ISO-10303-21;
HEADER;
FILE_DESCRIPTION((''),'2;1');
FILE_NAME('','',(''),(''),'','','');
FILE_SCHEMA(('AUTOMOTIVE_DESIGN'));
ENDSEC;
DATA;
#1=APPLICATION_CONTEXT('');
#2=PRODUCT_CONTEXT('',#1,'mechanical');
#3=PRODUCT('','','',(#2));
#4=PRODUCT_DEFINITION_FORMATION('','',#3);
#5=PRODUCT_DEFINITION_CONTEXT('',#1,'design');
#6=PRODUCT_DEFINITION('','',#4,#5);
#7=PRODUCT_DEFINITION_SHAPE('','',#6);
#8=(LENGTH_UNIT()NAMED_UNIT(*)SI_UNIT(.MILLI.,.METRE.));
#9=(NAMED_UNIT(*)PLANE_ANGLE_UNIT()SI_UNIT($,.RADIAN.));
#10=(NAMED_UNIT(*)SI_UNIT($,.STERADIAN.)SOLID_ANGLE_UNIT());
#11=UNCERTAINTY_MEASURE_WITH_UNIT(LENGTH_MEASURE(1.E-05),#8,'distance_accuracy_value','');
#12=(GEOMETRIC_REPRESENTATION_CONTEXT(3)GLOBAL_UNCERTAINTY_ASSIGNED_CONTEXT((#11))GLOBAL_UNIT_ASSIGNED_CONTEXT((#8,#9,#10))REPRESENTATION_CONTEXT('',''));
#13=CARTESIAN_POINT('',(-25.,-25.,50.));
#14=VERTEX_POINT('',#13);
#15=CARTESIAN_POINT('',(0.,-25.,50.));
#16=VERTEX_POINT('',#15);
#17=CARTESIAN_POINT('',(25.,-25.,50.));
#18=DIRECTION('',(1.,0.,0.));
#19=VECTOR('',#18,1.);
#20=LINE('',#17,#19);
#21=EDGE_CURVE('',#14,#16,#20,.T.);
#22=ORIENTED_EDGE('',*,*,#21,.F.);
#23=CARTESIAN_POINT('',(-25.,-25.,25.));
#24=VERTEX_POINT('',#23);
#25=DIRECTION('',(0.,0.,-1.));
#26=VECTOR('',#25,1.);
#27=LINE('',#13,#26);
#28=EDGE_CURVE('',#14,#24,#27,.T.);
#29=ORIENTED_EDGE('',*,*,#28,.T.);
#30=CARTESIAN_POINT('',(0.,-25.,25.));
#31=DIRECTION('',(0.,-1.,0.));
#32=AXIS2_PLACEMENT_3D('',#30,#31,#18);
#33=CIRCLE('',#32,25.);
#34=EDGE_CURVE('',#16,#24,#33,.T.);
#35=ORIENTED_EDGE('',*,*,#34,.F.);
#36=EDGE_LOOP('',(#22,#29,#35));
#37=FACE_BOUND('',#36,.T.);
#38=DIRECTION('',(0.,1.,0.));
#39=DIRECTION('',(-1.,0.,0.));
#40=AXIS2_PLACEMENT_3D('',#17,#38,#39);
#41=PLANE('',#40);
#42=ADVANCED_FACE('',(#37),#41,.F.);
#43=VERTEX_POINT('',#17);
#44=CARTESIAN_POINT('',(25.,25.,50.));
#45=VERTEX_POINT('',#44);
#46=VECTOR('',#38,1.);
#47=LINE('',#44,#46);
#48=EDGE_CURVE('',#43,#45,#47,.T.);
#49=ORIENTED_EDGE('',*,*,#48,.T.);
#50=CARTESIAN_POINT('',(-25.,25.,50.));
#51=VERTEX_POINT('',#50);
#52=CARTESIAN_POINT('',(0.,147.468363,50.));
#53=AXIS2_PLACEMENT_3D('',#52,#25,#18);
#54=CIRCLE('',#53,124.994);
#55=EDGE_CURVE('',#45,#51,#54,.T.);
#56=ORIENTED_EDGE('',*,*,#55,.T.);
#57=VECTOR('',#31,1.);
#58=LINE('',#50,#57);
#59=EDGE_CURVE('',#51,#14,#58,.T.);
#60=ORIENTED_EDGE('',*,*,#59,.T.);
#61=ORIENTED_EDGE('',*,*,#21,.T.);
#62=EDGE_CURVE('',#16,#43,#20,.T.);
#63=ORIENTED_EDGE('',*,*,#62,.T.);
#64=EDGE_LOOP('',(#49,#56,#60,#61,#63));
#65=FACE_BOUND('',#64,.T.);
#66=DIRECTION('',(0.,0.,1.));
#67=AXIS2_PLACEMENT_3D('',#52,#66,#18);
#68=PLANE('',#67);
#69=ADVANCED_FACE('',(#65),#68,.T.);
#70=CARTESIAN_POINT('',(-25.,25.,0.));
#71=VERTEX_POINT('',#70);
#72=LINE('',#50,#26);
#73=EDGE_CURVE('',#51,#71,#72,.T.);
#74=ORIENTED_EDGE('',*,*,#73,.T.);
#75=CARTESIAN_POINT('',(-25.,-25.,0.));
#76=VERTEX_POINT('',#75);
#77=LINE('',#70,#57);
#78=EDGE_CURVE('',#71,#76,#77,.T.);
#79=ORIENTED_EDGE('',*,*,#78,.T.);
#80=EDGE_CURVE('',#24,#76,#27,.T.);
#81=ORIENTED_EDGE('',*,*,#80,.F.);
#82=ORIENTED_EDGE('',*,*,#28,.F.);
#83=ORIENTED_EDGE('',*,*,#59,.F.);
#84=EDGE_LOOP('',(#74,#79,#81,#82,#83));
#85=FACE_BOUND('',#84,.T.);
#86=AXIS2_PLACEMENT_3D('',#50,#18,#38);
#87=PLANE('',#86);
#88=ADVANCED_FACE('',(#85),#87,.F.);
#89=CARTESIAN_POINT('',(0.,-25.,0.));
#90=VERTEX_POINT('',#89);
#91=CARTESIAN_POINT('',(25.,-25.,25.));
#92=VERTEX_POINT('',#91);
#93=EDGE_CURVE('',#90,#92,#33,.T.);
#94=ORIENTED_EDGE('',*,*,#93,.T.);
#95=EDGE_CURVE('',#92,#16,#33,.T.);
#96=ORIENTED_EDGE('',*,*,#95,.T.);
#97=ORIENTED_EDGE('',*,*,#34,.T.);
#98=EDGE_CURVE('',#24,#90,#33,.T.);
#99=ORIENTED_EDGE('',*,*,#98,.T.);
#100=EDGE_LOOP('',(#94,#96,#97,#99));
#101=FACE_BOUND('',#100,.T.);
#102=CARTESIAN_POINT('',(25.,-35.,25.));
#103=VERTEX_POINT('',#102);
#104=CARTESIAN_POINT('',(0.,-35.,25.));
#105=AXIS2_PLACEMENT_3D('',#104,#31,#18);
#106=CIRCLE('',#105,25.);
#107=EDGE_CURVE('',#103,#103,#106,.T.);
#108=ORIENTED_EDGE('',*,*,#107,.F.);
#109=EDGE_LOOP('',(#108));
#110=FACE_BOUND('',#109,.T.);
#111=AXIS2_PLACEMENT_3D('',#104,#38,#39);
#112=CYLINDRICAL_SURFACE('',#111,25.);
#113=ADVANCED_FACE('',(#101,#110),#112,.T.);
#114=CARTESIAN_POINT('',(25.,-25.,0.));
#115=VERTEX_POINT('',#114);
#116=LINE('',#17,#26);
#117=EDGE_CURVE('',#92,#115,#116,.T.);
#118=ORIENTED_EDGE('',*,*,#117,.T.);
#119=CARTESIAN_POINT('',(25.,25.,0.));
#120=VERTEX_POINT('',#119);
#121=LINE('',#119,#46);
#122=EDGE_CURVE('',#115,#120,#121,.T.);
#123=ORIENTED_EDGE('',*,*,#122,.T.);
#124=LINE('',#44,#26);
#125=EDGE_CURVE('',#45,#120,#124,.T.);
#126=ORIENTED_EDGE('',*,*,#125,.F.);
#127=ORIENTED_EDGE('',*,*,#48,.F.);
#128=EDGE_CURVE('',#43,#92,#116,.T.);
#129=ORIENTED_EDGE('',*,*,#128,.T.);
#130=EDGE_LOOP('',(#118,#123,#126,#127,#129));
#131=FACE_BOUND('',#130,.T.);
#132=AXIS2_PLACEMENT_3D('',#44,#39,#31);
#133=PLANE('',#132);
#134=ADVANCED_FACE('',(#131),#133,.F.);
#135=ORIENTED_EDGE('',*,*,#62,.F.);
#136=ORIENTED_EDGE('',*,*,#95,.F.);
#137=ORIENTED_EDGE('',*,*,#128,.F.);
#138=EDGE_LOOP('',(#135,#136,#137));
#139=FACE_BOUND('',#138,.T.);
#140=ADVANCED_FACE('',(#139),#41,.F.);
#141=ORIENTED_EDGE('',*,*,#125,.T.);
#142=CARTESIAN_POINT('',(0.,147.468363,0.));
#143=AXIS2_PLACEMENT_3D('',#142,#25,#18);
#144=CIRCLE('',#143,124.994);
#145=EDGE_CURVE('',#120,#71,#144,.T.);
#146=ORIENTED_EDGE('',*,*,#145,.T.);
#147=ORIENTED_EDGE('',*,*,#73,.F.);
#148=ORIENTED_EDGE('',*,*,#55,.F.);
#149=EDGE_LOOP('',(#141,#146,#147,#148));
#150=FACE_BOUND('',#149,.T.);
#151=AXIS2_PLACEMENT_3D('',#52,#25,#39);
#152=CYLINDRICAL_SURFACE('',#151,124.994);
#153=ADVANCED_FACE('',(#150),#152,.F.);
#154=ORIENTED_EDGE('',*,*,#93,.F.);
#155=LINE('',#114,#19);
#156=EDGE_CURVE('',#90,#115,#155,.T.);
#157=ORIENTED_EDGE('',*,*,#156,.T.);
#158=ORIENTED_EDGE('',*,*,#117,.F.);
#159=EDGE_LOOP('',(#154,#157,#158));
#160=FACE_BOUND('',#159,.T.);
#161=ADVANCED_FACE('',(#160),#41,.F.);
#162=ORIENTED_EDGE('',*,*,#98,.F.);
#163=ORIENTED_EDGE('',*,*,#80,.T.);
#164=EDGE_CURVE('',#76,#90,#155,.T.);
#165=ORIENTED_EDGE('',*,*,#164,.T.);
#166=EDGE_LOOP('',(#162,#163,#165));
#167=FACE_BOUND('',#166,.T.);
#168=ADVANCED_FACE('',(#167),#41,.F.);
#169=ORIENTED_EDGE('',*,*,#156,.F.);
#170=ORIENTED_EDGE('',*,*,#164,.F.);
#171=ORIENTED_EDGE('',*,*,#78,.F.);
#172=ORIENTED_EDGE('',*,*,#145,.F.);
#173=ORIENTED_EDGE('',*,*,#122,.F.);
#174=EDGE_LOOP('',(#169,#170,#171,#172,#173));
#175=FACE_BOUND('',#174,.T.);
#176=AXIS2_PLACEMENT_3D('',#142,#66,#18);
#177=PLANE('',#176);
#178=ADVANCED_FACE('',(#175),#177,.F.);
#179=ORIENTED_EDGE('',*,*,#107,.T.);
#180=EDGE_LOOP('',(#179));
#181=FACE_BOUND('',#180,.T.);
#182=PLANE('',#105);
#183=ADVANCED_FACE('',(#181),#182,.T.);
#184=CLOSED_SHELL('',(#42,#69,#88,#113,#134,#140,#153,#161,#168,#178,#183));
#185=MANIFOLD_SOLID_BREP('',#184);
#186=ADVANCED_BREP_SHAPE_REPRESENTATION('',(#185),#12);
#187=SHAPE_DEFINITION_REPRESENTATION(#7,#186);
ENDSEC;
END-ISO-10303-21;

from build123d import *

# Parameters (mm, degrees)
BOSS_EXTRUDE1_DEPTH = 50
SKETCH2_R           = 25
BOSS_EXTRUDE2_DEPTH = 10


with BuildPart() as part:
    # Sketch1 → Boss-Extrude1 (new body)
    with BuildSketch(Plane.XY):
        with BuildLine():
            Line((25, 25), (25, -25))
            Line((25, -25), (-25, -25))
            Line((-25, -25), (-25, 25))
            ThreePointArc((-25, 25), (0, 22.474363409), (25, 25))
        make_face()
    extrude(amount=BOSS_EXTRUDE1_DEPTH)

    # Sketch2 → Boss-Extrude2 (add)
    with BuildSketch(Plane.XZ.offset(25)):
        with Locations((0, 25)):
            Circle(SKETCH2_R)
    extrude(amount=BOSS_EXTRUDE2_DEPTH)


solid = part.part
